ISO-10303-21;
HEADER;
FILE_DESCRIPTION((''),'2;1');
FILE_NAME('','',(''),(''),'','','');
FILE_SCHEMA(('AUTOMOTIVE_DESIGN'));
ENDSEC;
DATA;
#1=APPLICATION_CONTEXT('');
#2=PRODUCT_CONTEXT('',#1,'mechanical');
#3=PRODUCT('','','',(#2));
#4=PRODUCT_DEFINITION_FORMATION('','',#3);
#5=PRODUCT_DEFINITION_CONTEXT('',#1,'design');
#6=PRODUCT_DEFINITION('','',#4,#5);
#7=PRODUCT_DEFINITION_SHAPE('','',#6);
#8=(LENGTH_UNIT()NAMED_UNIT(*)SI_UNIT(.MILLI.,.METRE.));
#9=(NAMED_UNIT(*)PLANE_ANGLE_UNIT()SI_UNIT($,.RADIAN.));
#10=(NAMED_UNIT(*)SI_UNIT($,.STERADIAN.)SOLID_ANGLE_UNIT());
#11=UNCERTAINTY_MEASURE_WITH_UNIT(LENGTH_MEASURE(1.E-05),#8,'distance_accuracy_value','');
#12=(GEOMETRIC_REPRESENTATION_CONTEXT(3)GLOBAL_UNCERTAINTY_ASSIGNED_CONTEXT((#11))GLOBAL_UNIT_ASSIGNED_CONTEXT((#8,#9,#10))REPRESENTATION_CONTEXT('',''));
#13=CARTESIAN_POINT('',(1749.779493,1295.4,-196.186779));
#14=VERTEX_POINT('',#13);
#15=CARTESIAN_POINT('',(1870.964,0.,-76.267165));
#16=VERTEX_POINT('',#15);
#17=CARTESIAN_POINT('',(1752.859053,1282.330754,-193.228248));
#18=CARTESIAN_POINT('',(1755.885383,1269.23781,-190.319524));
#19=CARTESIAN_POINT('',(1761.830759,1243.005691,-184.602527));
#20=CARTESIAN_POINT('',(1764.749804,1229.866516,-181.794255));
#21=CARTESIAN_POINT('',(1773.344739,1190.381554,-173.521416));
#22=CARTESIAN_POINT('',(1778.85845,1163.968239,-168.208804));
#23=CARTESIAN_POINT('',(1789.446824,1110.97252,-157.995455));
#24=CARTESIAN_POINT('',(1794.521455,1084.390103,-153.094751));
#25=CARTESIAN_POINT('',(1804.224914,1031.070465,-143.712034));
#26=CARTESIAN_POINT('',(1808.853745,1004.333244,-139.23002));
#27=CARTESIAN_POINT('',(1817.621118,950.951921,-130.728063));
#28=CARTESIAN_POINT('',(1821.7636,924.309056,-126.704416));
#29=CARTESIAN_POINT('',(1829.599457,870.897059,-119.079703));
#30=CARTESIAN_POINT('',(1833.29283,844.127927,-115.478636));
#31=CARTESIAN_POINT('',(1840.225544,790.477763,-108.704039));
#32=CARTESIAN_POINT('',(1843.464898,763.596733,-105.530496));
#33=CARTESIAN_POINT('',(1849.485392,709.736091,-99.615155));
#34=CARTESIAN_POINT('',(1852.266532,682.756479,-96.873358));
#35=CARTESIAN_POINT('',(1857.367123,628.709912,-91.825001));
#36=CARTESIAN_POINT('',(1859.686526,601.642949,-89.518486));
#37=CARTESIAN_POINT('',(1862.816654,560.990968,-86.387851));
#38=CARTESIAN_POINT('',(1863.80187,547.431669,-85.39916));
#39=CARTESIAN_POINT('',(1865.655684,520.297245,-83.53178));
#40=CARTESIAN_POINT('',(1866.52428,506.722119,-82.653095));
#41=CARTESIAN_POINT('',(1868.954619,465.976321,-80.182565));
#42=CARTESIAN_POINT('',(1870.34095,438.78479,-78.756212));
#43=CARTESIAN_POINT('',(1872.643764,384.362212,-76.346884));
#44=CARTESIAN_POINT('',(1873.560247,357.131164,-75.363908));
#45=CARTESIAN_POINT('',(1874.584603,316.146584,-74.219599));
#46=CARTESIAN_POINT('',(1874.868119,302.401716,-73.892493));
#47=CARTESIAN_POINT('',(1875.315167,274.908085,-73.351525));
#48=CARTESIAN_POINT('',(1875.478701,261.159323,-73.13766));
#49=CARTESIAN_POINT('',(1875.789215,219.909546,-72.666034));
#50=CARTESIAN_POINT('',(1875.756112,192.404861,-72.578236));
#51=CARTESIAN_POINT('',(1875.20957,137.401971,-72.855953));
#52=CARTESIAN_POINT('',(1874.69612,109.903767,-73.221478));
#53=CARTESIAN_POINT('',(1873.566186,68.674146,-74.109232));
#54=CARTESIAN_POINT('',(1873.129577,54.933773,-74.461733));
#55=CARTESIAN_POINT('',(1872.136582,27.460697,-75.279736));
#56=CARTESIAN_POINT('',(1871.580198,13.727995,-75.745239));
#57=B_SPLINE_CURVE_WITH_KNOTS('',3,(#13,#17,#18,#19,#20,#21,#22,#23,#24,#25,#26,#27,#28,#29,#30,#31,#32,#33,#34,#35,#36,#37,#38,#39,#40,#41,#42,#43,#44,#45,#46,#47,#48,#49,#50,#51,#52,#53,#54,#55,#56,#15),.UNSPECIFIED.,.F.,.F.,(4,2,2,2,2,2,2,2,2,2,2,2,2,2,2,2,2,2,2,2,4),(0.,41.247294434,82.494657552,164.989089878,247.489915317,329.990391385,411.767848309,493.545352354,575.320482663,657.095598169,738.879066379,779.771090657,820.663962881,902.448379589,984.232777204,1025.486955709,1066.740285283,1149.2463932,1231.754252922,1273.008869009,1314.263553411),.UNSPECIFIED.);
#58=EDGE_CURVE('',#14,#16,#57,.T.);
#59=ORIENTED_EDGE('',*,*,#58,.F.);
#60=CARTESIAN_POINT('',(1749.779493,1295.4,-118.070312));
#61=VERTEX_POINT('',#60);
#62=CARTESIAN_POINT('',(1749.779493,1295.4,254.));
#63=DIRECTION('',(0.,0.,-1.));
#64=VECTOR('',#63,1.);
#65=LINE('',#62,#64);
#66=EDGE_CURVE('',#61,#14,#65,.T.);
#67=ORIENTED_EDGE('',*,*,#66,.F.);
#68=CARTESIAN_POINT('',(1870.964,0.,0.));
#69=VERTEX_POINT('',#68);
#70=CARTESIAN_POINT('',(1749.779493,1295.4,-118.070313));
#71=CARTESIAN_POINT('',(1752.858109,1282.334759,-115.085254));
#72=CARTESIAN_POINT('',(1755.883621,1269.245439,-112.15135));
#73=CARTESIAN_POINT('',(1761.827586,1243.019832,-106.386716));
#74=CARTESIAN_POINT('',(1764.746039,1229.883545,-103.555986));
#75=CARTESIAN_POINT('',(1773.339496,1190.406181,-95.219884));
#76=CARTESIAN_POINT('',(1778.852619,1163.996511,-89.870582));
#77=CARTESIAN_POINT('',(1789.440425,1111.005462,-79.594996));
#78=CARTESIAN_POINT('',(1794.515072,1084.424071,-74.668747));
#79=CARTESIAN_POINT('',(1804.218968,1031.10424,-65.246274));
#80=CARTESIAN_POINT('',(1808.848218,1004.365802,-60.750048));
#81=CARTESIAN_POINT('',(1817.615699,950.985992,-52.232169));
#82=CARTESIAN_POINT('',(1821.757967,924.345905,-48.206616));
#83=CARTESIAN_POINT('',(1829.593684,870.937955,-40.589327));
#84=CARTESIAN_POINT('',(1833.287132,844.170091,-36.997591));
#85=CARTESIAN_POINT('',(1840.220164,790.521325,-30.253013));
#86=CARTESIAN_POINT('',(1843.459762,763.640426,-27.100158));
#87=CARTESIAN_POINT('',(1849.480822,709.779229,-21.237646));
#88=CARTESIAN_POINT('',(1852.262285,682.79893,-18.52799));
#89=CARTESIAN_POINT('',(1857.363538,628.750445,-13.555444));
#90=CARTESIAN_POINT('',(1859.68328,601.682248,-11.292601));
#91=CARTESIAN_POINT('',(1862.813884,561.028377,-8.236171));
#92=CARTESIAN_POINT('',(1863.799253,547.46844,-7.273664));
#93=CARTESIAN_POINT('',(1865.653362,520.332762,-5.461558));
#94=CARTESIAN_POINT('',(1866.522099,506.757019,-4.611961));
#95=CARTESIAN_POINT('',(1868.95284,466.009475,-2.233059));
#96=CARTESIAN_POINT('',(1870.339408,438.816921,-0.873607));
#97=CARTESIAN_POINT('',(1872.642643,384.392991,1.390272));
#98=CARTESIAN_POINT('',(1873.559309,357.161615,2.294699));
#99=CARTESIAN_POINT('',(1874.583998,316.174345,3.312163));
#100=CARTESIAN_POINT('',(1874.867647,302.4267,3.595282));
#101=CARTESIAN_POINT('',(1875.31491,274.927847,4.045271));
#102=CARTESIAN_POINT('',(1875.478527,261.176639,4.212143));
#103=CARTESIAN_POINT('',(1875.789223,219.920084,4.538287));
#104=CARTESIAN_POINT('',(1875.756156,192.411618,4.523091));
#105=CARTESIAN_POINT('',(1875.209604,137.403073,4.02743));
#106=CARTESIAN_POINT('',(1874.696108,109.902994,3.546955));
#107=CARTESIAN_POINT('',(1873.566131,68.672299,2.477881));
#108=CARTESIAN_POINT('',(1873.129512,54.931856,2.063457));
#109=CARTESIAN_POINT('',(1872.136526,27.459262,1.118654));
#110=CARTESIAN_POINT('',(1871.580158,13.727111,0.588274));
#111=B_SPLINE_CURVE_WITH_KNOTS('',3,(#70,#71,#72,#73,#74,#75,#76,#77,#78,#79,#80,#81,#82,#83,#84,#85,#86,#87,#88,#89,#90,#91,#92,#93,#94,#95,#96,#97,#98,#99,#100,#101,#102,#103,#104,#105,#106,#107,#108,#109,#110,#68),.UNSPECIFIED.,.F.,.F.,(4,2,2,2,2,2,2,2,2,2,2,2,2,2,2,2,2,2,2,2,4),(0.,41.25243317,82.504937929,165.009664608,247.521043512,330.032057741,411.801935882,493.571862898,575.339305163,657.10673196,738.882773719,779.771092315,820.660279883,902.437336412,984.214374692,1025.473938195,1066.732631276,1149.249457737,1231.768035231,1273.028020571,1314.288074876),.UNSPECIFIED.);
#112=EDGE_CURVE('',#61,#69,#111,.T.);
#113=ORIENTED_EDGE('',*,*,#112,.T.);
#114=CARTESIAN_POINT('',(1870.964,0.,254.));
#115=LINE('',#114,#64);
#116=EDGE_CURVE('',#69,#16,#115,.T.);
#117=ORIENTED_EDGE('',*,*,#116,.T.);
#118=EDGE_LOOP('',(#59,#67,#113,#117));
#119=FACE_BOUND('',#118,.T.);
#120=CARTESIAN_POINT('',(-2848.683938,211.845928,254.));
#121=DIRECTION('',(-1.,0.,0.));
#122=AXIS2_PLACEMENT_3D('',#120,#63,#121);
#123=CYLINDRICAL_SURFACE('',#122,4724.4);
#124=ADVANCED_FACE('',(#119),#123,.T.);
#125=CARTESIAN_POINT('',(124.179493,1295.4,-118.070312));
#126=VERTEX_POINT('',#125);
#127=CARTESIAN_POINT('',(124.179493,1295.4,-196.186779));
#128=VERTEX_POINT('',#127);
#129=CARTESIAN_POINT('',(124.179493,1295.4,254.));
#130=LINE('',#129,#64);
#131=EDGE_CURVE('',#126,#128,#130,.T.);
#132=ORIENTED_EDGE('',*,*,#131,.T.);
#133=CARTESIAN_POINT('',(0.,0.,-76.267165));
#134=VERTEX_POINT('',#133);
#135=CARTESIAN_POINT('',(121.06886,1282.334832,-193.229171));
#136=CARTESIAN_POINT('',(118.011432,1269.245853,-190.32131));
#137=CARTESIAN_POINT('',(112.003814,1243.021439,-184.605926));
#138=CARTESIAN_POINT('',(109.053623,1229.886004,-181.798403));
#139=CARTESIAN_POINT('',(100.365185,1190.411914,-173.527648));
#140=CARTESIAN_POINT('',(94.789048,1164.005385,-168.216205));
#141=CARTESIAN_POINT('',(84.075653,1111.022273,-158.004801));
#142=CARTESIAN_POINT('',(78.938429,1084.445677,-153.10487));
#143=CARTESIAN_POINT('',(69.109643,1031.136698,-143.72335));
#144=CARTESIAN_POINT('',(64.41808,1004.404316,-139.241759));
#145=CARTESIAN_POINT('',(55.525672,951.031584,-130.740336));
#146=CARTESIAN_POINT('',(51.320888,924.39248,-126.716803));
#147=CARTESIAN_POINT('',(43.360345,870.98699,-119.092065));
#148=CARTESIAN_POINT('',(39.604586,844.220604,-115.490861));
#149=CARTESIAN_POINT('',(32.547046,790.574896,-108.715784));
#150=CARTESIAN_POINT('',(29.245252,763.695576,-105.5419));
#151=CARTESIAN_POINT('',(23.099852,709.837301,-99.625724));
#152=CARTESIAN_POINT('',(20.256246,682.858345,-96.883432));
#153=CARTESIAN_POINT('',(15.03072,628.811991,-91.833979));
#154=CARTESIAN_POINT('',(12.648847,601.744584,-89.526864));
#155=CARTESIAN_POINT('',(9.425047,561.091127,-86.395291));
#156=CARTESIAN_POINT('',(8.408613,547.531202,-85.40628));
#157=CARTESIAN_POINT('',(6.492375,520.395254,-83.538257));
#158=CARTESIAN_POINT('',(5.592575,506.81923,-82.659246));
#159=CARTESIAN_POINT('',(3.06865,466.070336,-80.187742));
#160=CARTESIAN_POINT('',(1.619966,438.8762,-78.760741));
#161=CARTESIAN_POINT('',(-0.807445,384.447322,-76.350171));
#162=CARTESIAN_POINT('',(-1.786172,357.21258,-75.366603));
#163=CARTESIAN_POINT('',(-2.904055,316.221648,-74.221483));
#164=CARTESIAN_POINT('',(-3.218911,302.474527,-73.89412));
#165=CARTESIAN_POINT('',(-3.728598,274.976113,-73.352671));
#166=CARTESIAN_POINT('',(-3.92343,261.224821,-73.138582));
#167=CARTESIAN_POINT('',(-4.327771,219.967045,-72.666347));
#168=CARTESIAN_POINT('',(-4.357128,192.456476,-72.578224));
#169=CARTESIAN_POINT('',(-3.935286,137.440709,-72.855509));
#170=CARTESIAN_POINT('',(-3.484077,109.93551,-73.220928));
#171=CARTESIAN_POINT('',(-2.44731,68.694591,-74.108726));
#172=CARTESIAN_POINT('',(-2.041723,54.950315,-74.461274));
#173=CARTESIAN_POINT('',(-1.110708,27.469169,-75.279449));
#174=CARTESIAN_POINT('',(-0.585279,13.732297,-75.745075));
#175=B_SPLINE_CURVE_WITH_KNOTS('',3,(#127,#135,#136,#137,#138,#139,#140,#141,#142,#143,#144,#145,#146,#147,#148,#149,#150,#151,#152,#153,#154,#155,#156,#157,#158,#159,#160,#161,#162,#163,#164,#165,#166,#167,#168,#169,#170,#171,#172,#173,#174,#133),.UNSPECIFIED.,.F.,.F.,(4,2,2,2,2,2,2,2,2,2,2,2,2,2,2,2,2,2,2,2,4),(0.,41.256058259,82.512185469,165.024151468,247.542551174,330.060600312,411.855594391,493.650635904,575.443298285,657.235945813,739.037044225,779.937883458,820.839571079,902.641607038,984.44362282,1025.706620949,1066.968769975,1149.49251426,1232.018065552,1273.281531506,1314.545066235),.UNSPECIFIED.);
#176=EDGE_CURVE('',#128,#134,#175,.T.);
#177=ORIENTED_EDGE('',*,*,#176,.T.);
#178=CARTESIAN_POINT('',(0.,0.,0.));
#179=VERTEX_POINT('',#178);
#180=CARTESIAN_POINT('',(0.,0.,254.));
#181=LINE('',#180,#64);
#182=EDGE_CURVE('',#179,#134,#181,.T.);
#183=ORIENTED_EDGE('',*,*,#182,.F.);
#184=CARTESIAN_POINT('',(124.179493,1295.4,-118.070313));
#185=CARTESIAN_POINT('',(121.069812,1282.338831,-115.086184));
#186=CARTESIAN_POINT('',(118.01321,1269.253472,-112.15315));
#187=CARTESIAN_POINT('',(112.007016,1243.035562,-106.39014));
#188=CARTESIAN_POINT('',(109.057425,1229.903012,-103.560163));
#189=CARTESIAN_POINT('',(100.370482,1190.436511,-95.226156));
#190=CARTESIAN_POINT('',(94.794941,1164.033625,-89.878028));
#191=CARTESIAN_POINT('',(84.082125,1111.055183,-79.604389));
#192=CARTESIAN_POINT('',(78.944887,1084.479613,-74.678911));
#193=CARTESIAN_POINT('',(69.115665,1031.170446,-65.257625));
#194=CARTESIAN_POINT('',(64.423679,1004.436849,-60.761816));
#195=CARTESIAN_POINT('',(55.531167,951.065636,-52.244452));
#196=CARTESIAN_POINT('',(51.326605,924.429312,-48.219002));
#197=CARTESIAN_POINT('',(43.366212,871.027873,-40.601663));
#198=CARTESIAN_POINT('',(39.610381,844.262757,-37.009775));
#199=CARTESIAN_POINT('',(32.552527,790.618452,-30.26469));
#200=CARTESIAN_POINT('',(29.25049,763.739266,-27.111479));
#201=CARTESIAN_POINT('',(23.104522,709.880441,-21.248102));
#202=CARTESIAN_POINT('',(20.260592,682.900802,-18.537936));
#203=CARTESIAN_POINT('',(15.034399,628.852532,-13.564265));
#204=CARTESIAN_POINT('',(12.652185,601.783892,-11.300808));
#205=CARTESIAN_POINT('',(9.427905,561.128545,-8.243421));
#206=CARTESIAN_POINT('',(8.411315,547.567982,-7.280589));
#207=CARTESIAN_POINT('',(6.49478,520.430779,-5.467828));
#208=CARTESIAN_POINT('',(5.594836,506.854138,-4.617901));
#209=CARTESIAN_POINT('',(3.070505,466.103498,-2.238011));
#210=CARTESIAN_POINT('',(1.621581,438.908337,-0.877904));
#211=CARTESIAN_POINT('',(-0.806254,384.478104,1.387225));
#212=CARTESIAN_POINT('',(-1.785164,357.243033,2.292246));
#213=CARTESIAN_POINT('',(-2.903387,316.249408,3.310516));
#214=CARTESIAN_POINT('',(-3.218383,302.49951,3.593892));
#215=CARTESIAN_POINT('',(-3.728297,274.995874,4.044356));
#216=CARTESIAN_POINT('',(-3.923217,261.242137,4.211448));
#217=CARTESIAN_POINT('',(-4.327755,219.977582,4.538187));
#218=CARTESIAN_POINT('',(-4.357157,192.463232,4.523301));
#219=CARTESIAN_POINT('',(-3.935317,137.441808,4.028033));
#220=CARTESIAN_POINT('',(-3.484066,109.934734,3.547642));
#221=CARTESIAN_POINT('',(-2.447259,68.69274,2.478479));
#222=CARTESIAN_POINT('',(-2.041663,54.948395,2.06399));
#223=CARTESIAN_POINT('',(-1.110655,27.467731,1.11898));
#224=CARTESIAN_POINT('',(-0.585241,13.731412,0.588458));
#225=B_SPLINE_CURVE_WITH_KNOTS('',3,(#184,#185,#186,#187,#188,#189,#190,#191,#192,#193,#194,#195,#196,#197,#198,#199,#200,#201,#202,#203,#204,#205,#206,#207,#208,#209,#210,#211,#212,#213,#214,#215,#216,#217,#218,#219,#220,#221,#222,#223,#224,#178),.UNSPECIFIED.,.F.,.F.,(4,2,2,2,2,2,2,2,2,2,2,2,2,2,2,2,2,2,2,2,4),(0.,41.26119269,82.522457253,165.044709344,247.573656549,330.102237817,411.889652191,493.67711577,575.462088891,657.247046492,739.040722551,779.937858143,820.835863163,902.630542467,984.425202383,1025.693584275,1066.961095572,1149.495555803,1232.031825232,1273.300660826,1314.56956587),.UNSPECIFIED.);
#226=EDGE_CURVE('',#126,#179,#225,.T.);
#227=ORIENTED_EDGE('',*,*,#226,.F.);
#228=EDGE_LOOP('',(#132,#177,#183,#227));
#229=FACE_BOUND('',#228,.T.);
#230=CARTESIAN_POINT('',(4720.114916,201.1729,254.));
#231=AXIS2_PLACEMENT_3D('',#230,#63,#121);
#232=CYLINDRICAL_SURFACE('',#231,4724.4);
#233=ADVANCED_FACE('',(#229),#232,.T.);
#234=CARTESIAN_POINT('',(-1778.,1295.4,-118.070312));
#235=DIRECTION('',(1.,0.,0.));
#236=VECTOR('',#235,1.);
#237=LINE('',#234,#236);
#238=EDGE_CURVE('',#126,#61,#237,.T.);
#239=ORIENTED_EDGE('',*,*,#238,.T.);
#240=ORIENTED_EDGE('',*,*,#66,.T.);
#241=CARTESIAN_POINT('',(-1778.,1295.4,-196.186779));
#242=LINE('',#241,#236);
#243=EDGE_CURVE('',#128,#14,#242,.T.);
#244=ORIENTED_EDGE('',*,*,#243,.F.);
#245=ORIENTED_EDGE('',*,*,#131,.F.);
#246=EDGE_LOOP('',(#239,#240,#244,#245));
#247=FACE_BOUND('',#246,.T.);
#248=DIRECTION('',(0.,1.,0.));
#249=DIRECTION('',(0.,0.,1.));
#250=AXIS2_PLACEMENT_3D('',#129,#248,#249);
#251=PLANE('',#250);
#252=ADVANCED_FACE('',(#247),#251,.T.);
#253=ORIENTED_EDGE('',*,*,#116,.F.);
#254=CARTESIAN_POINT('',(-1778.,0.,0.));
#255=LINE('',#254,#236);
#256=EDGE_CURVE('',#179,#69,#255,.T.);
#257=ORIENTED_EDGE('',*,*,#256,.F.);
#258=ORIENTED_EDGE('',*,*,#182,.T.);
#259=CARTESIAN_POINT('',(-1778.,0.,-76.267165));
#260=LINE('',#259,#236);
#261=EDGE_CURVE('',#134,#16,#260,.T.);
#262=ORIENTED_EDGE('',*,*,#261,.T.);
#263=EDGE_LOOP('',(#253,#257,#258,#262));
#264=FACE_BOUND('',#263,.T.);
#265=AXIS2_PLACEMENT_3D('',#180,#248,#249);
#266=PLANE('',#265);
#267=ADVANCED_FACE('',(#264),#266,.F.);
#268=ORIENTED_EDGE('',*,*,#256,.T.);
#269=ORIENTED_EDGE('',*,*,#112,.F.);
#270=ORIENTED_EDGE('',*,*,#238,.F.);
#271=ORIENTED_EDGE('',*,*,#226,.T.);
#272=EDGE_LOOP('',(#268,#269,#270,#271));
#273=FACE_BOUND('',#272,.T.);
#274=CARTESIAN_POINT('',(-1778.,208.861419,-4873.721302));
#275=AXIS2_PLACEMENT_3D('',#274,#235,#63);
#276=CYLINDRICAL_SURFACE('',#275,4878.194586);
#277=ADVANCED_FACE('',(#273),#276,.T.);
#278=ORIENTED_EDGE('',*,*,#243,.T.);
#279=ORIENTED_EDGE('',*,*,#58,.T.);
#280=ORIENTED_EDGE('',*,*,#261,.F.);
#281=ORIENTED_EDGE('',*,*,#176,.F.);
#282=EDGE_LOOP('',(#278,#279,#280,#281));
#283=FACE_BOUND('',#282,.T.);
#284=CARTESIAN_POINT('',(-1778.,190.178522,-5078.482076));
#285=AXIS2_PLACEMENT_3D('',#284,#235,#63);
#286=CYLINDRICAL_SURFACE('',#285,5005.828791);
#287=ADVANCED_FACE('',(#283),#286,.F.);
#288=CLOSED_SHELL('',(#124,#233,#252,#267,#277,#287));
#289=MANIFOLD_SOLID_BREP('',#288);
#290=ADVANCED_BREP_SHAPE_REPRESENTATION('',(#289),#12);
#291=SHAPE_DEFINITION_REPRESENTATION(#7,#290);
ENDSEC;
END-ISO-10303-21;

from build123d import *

# Parameters (mm, degrees)
BOSS_EXTRUDE2_DEPTH      = 254
BOSS_EXTRUDE2_DEPTH_BACK = 254
CUT_EXTRUDE1_DEPTH       = 2294.662552242
CUT_EXTRUDE1_DEPTH_BACK  = 1778


with BuildPart() as part:
    # Sketch3 → Boss-Extrude2 (new, two sides: drawn at the far end of the back side and taken through both)
    with BuildSketch(Plane.XY.offset(-BOSS_EXTRUDE2_DEPTH_BACK)):
        with BuildLine():
            Line((124.179493225, 1295.4), (1749.779493225, 1295.4))
            ThreePointArc((1749.779493225, 1295.4), (1855.177790652, 651.891599774), (1870.964, 0))
            Line((1870.964, 0), (0, 0))
            ThreePointArc((0, 0), (17.273884389, 651.996133287), (124.179493225, 1295.4))
        make_face()
    extrude(amount=BOSS_EXTRUDE2_DEPTH + BOSS_EXTRUDE2_DEPTH_BACK)

    # Sketch5 → Cut-Extrude1 (cut, two sides: drawn at the far end of the back side and taken through both)
    with BuildSketch(Plane(origin=(0, 0, 0), x_dir=(0, 0, -1), z_dir=(1, 0, 0)).offset(-CUT_EXTRUDE1_DEPTH_BACK)):
        with BuildLine():
            Line((196.186778864, 1295.4), (254, 1295.4))
            Line((254, 1295.4), (254, 0))
            Line((254, 0), (76.26716522, 0))
            ThreePointArc((76.26716522, 0), (93.965970842, 651.612245589), (196.186778864, 1295.4))
        make_face()
        with BuildLine():
            ThreePointArc((118.0703125, 1295.4), (15.664285855, 651.653074125), (0, 0))
            Line((0, 0), (-254, 0))
            Line((-254, 0), (-254, 1295.4))
            Line((-254, 1295.4), (118.0703125, 1295.4))
        make_face()
    extrude(amount=CUT_EXTRUDE1_DEPTH + CUT_EXTRUDE1_DEPTH_BACK, mode=Mode.SUBTRACT)


solid = part.part
